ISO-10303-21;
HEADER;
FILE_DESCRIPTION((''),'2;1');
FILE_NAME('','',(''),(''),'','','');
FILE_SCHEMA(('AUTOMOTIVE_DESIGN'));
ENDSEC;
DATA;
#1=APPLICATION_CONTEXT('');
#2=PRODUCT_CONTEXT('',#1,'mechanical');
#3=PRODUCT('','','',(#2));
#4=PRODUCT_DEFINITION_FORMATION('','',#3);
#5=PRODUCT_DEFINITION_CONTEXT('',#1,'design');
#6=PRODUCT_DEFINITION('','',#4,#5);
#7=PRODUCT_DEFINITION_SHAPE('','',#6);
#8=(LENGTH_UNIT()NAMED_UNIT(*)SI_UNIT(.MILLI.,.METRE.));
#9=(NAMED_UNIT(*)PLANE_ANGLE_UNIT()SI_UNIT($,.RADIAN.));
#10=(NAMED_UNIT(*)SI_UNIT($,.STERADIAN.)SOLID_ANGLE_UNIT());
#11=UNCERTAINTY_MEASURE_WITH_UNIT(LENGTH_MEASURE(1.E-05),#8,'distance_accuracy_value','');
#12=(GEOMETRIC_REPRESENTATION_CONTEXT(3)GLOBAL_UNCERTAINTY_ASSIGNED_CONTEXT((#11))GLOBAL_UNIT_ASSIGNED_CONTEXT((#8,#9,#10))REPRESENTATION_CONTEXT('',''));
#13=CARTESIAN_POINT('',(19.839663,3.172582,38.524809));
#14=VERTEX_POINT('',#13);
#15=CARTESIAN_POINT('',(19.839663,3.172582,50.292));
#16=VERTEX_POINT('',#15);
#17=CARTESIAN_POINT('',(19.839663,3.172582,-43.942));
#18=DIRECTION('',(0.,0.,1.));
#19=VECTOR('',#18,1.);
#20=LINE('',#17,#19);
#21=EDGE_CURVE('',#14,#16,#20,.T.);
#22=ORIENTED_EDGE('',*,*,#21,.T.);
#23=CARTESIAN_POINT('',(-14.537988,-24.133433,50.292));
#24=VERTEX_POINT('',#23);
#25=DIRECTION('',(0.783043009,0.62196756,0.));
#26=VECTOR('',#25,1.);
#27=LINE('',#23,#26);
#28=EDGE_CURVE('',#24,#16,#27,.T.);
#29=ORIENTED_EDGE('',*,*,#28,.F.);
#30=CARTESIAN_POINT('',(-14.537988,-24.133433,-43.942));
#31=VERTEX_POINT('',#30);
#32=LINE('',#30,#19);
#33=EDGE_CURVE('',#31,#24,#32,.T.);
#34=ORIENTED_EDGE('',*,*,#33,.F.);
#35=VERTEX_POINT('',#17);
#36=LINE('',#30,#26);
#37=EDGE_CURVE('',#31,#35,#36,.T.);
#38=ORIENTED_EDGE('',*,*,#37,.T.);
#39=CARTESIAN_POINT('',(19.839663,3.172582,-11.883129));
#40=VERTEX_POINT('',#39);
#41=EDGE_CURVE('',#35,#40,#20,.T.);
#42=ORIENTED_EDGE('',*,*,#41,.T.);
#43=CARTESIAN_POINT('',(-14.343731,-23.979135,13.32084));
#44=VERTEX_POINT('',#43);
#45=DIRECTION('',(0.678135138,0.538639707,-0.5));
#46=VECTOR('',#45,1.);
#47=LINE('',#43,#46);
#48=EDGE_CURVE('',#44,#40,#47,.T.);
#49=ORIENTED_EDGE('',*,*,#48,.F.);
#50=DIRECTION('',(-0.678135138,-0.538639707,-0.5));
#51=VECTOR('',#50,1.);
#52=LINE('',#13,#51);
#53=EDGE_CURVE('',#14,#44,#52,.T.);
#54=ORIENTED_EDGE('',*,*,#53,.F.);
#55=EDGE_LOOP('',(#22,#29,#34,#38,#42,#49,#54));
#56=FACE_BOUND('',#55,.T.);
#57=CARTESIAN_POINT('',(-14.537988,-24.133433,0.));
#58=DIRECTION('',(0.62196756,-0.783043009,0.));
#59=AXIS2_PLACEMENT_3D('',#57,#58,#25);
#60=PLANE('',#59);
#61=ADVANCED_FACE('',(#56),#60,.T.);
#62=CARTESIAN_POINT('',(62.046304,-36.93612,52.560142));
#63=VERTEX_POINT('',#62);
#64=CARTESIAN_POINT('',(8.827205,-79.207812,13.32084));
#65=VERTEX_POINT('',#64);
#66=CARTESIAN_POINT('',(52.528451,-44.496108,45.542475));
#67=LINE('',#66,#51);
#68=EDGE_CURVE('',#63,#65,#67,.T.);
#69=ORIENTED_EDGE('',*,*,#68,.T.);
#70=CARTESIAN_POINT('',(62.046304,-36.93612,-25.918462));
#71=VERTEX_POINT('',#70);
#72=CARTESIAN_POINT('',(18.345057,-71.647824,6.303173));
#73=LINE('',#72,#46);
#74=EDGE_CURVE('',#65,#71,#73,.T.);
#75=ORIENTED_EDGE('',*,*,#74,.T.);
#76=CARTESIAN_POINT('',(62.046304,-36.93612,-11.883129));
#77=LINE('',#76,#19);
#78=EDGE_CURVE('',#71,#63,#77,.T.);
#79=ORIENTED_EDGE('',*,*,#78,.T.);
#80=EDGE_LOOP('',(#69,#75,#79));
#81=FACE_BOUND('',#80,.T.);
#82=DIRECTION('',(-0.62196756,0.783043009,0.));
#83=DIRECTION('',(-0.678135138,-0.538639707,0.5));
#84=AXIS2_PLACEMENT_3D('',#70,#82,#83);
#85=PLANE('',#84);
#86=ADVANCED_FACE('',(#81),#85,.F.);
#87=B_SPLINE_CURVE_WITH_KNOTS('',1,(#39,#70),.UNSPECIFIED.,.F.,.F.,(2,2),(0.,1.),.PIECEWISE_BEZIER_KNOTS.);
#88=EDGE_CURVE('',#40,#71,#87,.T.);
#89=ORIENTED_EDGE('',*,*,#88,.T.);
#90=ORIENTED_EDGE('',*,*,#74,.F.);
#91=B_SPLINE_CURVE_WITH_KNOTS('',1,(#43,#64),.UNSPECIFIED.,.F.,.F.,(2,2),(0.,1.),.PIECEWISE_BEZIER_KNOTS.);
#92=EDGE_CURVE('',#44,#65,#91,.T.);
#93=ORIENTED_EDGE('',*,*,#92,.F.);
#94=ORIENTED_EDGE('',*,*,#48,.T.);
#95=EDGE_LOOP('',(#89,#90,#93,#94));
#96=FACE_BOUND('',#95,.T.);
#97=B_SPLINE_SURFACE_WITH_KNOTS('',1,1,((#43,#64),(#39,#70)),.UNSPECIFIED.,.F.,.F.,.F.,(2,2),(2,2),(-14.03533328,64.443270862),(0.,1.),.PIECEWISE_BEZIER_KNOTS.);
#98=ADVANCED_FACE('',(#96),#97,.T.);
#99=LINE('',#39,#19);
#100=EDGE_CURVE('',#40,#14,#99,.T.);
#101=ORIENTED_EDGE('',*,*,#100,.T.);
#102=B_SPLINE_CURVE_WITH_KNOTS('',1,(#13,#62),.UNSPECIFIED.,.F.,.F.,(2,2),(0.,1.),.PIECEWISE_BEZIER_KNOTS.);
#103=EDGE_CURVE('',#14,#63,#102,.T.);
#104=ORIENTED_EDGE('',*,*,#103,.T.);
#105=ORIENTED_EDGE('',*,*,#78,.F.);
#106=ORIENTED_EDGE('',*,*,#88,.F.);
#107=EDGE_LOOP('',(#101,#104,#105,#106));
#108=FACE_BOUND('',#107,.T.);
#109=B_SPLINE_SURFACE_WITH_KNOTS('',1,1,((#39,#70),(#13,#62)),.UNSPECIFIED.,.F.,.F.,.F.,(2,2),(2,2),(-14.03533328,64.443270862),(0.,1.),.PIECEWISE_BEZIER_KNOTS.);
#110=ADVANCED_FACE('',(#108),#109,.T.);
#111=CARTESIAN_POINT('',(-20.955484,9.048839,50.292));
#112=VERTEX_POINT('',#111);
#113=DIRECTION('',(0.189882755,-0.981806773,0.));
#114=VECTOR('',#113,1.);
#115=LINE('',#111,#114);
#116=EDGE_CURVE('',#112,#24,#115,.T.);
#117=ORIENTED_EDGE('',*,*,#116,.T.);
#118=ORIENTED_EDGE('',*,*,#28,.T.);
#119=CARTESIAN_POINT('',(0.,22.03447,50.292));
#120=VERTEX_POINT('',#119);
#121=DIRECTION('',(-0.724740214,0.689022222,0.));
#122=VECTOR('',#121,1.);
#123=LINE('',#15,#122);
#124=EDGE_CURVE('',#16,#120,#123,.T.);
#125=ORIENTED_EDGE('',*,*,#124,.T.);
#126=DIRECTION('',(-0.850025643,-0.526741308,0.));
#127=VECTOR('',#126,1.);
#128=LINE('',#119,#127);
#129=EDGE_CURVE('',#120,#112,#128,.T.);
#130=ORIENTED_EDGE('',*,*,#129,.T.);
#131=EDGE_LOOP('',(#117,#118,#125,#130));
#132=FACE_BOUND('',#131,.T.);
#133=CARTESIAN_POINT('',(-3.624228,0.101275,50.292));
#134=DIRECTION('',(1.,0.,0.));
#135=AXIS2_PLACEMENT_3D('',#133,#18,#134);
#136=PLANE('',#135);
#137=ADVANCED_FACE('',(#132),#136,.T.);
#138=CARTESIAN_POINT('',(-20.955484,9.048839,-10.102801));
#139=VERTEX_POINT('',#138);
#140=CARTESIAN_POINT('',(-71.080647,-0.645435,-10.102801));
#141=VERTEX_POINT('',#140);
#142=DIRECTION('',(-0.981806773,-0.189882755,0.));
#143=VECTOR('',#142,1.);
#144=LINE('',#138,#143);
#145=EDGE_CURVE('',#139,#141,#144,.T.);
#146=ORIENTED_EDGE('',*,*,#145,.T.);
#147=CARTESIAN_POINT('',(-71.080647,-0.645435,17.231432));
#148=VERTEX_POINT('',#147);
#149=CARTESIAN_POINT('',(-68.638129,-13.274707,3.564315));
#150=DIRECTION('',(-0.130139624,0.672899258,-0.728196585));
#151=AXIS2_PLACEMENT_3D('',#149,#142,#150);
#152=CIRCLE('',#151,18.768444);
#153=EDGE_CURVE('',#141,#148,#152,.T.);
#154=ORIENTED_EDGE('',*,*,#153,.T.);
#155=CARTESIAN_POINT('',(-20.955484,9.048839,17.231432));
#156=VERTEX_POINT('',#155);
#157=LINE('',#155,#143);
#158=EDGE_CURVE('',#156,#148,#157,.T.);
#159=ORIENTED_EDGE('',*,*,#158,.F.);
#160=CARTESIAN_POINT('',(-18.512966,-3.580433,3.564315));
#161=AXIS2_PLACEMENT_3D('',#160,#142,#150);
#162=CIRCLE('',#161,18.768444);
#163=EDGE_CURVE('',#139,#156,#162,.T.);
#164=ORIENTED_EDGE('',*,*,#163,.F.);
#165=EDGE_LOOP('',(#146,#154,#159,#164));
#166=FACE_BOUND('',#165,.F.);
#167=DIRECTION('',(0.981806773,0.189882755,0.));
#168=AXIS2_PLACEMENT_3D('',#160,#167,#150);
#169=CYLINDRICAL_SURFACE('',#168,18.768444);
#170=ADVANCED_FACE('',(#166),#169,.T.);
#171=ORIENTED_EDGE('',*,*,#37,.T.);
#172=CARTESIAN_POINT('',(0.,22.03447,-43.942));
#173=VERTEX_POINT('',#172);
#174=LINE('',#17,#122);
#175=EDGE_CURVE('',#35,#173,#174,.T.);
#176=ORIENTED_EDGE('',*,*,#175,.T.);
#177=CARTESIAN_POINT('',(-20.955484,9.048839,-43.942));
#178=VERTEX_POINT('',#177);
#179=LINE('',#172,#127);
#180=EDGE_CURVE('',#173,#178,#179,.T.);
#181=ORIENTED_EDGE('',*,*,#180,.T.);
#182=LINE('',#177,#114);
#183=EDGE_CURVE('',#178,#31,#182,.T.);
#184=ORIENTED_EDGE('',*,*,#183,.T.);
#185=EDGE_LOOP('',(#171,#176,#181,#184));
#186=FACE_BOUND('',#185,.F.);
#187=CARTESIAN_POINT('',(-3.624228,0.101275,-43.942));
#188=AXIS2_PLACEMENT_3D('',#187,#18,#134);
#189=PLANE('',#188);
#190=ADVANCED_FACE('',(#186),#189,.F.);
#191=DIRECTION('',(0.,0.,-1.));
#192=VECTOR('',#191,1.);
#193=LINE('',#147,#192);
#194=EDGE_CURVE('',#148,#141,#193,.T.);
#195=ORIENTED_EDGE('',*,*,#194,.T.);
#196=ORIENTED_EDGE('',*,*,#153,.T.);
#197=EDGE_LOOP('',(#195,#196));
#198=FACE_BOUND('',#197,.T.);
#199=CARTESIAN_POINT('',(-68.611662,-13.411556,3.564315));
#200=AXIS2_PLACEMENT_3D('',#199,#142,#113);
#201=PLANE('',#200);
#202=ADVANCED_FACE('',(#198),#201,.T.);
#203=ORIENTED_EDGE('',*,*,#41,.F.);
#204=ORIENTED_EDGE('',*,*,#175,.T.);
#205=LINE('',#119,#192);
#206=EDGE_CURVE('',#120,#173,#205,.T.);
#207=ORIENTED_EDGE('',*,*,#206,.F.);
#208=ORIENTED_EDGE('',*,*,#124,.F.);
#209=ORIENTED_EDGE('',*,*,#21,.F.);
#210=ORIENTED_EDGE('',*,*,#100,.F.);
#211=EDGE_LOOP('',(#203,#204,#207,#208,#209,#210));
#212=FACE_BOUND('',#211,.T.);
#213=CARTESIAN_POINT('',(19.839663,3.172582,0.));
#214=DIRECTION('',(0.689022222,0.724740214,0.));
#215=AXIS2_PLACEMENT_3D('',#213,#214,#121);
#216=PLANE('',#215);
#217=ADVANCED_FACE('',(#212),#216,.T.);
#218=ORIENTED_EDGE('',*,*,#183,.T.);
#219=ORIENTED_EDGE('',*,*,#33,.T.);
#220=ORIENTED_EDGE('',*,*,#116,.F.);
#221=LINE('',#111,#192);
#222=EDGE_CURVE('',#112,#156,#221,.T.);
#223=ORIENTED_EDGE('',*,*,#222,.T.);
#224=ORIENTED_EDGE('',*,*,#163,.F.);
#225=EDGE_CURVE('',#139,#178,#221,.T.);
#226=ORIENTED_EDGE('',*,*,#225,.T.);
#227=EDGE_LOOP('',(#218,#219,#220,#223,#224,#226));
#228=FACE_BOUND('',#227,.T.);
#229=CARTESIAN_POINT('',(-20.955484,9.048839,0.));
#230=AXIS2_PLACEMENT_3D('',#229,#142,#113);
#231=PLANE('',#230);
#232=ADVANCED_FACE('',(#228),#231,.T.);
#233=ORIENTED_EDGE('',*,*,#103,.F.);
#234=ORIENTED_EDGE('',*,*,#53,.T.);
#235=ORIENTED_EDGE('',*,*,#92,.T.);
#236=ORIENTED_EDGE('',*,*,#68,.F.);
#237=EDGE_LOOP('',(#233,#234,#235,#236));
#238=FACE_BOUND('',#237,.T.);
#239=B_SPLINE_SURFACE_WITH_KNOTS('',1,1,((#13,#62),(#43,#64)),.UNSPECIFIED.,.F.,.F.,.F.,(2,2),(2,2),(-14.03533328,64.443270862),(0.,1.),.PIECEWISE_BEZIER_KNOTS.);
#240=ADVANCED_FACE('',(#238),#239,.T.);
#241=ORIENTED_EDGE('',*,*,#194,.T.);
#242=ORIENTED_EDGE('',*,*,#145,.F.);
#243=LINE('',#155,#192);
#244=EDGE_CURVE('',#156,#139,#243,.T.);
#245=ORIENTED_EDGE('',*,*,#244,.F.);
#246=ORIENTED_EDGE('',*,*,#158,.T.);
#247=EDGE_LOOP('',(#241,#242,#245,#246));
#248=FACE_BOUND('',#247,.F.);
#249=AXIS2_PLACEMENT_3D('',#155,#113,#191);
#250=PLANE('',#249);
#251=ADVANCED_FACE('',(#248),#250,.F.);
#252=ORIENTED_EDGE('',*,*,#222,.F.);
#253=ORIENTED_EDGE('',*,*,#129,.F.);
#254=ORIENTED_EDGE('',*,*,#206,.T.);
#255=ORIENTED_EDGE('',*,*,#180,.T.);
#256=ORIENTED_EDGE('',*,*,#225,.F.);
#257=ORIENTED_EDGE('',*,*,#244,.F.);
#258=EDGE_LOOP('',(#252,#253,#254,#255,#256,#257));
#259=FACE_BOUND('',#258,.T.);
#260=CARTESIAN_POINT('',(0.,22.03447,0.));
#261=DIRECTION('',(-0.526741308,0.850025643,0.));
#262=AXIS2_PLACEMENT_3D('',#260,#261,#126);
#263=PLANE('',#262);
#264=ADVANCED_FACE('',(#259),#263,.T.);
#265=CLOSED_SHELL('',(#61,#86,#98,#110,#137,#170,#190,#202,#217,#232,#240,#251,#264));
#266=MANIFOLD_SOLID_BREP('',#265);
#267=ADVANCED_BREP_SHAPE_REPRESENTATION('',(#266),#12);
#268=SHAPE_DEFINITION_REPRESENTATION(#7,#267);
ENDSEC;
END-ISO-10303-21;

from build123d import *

# Parameters (mm, degrees)
F1_DEPTH      = 50.292
F1_DEPTH_BACK = 43.942
F3_DEPTH      = 51.054
F5_DEPTH      = 57.658
F5_TAPER      = -8


with BuildPart() as f1:
    # F0 (on Top) → F1 (new body, two sides)
    with BuildSketch(Plane.XY) as f1_sk:
        Polygon((-20.9554843605, 9.0488390997), (-14.5379882306, -24.1334326565), (19.8396630585, 3.1725820154), (0, 22.0344699919), align=None)
    extrude(amount=F1_DEPTH)
    extrude(f1_sk.sketch, amount=-F1_DEPTH_BACK)

    # F2 (on face) → F3 (join)
    with BuildSketch(Plane(origin=(-18.5129661664, -3.5804326358, 0), x_dir=(0.1898827546, -0.981806773, 0), z_dir=(-0.981806773, -0.1898827546, 0))):
        with BuildLine():
            ThreePointArc((-12.8632966108, -10.1028013332), (7.4441391901, -13.6647087453), (18.768443533, 3.5643151496))
            ThreePointArc((18.768443533, 3.5643151496), (7.4441391901, 20.7933390444), (-12.8632966108, 17.2314316323))
            Line((-12.8632966108, 17.2314316323), (-12.8632966108, -10.1028013332))
        make_face()
    extrude(amount=F3_DEPTH)

    # F4 (on face) → F5 (join)
    with BuildSketch(Plane(origin=(6.1297133792, -7.7171696999, 0), x_dir=(0.7830430091, 0.6219675601, 0), z_dir=(0.6219675601, -0.7830430091, 0))):
        Polygon((17.5085525567, -11.8831288274), (17.5085525567, 38.5248087551), (-26.1460019422, 13.3208399639), align=None)
    extrude(amount=F5_DEPTH, taper=F5_TAPER)


solid = f1.part
